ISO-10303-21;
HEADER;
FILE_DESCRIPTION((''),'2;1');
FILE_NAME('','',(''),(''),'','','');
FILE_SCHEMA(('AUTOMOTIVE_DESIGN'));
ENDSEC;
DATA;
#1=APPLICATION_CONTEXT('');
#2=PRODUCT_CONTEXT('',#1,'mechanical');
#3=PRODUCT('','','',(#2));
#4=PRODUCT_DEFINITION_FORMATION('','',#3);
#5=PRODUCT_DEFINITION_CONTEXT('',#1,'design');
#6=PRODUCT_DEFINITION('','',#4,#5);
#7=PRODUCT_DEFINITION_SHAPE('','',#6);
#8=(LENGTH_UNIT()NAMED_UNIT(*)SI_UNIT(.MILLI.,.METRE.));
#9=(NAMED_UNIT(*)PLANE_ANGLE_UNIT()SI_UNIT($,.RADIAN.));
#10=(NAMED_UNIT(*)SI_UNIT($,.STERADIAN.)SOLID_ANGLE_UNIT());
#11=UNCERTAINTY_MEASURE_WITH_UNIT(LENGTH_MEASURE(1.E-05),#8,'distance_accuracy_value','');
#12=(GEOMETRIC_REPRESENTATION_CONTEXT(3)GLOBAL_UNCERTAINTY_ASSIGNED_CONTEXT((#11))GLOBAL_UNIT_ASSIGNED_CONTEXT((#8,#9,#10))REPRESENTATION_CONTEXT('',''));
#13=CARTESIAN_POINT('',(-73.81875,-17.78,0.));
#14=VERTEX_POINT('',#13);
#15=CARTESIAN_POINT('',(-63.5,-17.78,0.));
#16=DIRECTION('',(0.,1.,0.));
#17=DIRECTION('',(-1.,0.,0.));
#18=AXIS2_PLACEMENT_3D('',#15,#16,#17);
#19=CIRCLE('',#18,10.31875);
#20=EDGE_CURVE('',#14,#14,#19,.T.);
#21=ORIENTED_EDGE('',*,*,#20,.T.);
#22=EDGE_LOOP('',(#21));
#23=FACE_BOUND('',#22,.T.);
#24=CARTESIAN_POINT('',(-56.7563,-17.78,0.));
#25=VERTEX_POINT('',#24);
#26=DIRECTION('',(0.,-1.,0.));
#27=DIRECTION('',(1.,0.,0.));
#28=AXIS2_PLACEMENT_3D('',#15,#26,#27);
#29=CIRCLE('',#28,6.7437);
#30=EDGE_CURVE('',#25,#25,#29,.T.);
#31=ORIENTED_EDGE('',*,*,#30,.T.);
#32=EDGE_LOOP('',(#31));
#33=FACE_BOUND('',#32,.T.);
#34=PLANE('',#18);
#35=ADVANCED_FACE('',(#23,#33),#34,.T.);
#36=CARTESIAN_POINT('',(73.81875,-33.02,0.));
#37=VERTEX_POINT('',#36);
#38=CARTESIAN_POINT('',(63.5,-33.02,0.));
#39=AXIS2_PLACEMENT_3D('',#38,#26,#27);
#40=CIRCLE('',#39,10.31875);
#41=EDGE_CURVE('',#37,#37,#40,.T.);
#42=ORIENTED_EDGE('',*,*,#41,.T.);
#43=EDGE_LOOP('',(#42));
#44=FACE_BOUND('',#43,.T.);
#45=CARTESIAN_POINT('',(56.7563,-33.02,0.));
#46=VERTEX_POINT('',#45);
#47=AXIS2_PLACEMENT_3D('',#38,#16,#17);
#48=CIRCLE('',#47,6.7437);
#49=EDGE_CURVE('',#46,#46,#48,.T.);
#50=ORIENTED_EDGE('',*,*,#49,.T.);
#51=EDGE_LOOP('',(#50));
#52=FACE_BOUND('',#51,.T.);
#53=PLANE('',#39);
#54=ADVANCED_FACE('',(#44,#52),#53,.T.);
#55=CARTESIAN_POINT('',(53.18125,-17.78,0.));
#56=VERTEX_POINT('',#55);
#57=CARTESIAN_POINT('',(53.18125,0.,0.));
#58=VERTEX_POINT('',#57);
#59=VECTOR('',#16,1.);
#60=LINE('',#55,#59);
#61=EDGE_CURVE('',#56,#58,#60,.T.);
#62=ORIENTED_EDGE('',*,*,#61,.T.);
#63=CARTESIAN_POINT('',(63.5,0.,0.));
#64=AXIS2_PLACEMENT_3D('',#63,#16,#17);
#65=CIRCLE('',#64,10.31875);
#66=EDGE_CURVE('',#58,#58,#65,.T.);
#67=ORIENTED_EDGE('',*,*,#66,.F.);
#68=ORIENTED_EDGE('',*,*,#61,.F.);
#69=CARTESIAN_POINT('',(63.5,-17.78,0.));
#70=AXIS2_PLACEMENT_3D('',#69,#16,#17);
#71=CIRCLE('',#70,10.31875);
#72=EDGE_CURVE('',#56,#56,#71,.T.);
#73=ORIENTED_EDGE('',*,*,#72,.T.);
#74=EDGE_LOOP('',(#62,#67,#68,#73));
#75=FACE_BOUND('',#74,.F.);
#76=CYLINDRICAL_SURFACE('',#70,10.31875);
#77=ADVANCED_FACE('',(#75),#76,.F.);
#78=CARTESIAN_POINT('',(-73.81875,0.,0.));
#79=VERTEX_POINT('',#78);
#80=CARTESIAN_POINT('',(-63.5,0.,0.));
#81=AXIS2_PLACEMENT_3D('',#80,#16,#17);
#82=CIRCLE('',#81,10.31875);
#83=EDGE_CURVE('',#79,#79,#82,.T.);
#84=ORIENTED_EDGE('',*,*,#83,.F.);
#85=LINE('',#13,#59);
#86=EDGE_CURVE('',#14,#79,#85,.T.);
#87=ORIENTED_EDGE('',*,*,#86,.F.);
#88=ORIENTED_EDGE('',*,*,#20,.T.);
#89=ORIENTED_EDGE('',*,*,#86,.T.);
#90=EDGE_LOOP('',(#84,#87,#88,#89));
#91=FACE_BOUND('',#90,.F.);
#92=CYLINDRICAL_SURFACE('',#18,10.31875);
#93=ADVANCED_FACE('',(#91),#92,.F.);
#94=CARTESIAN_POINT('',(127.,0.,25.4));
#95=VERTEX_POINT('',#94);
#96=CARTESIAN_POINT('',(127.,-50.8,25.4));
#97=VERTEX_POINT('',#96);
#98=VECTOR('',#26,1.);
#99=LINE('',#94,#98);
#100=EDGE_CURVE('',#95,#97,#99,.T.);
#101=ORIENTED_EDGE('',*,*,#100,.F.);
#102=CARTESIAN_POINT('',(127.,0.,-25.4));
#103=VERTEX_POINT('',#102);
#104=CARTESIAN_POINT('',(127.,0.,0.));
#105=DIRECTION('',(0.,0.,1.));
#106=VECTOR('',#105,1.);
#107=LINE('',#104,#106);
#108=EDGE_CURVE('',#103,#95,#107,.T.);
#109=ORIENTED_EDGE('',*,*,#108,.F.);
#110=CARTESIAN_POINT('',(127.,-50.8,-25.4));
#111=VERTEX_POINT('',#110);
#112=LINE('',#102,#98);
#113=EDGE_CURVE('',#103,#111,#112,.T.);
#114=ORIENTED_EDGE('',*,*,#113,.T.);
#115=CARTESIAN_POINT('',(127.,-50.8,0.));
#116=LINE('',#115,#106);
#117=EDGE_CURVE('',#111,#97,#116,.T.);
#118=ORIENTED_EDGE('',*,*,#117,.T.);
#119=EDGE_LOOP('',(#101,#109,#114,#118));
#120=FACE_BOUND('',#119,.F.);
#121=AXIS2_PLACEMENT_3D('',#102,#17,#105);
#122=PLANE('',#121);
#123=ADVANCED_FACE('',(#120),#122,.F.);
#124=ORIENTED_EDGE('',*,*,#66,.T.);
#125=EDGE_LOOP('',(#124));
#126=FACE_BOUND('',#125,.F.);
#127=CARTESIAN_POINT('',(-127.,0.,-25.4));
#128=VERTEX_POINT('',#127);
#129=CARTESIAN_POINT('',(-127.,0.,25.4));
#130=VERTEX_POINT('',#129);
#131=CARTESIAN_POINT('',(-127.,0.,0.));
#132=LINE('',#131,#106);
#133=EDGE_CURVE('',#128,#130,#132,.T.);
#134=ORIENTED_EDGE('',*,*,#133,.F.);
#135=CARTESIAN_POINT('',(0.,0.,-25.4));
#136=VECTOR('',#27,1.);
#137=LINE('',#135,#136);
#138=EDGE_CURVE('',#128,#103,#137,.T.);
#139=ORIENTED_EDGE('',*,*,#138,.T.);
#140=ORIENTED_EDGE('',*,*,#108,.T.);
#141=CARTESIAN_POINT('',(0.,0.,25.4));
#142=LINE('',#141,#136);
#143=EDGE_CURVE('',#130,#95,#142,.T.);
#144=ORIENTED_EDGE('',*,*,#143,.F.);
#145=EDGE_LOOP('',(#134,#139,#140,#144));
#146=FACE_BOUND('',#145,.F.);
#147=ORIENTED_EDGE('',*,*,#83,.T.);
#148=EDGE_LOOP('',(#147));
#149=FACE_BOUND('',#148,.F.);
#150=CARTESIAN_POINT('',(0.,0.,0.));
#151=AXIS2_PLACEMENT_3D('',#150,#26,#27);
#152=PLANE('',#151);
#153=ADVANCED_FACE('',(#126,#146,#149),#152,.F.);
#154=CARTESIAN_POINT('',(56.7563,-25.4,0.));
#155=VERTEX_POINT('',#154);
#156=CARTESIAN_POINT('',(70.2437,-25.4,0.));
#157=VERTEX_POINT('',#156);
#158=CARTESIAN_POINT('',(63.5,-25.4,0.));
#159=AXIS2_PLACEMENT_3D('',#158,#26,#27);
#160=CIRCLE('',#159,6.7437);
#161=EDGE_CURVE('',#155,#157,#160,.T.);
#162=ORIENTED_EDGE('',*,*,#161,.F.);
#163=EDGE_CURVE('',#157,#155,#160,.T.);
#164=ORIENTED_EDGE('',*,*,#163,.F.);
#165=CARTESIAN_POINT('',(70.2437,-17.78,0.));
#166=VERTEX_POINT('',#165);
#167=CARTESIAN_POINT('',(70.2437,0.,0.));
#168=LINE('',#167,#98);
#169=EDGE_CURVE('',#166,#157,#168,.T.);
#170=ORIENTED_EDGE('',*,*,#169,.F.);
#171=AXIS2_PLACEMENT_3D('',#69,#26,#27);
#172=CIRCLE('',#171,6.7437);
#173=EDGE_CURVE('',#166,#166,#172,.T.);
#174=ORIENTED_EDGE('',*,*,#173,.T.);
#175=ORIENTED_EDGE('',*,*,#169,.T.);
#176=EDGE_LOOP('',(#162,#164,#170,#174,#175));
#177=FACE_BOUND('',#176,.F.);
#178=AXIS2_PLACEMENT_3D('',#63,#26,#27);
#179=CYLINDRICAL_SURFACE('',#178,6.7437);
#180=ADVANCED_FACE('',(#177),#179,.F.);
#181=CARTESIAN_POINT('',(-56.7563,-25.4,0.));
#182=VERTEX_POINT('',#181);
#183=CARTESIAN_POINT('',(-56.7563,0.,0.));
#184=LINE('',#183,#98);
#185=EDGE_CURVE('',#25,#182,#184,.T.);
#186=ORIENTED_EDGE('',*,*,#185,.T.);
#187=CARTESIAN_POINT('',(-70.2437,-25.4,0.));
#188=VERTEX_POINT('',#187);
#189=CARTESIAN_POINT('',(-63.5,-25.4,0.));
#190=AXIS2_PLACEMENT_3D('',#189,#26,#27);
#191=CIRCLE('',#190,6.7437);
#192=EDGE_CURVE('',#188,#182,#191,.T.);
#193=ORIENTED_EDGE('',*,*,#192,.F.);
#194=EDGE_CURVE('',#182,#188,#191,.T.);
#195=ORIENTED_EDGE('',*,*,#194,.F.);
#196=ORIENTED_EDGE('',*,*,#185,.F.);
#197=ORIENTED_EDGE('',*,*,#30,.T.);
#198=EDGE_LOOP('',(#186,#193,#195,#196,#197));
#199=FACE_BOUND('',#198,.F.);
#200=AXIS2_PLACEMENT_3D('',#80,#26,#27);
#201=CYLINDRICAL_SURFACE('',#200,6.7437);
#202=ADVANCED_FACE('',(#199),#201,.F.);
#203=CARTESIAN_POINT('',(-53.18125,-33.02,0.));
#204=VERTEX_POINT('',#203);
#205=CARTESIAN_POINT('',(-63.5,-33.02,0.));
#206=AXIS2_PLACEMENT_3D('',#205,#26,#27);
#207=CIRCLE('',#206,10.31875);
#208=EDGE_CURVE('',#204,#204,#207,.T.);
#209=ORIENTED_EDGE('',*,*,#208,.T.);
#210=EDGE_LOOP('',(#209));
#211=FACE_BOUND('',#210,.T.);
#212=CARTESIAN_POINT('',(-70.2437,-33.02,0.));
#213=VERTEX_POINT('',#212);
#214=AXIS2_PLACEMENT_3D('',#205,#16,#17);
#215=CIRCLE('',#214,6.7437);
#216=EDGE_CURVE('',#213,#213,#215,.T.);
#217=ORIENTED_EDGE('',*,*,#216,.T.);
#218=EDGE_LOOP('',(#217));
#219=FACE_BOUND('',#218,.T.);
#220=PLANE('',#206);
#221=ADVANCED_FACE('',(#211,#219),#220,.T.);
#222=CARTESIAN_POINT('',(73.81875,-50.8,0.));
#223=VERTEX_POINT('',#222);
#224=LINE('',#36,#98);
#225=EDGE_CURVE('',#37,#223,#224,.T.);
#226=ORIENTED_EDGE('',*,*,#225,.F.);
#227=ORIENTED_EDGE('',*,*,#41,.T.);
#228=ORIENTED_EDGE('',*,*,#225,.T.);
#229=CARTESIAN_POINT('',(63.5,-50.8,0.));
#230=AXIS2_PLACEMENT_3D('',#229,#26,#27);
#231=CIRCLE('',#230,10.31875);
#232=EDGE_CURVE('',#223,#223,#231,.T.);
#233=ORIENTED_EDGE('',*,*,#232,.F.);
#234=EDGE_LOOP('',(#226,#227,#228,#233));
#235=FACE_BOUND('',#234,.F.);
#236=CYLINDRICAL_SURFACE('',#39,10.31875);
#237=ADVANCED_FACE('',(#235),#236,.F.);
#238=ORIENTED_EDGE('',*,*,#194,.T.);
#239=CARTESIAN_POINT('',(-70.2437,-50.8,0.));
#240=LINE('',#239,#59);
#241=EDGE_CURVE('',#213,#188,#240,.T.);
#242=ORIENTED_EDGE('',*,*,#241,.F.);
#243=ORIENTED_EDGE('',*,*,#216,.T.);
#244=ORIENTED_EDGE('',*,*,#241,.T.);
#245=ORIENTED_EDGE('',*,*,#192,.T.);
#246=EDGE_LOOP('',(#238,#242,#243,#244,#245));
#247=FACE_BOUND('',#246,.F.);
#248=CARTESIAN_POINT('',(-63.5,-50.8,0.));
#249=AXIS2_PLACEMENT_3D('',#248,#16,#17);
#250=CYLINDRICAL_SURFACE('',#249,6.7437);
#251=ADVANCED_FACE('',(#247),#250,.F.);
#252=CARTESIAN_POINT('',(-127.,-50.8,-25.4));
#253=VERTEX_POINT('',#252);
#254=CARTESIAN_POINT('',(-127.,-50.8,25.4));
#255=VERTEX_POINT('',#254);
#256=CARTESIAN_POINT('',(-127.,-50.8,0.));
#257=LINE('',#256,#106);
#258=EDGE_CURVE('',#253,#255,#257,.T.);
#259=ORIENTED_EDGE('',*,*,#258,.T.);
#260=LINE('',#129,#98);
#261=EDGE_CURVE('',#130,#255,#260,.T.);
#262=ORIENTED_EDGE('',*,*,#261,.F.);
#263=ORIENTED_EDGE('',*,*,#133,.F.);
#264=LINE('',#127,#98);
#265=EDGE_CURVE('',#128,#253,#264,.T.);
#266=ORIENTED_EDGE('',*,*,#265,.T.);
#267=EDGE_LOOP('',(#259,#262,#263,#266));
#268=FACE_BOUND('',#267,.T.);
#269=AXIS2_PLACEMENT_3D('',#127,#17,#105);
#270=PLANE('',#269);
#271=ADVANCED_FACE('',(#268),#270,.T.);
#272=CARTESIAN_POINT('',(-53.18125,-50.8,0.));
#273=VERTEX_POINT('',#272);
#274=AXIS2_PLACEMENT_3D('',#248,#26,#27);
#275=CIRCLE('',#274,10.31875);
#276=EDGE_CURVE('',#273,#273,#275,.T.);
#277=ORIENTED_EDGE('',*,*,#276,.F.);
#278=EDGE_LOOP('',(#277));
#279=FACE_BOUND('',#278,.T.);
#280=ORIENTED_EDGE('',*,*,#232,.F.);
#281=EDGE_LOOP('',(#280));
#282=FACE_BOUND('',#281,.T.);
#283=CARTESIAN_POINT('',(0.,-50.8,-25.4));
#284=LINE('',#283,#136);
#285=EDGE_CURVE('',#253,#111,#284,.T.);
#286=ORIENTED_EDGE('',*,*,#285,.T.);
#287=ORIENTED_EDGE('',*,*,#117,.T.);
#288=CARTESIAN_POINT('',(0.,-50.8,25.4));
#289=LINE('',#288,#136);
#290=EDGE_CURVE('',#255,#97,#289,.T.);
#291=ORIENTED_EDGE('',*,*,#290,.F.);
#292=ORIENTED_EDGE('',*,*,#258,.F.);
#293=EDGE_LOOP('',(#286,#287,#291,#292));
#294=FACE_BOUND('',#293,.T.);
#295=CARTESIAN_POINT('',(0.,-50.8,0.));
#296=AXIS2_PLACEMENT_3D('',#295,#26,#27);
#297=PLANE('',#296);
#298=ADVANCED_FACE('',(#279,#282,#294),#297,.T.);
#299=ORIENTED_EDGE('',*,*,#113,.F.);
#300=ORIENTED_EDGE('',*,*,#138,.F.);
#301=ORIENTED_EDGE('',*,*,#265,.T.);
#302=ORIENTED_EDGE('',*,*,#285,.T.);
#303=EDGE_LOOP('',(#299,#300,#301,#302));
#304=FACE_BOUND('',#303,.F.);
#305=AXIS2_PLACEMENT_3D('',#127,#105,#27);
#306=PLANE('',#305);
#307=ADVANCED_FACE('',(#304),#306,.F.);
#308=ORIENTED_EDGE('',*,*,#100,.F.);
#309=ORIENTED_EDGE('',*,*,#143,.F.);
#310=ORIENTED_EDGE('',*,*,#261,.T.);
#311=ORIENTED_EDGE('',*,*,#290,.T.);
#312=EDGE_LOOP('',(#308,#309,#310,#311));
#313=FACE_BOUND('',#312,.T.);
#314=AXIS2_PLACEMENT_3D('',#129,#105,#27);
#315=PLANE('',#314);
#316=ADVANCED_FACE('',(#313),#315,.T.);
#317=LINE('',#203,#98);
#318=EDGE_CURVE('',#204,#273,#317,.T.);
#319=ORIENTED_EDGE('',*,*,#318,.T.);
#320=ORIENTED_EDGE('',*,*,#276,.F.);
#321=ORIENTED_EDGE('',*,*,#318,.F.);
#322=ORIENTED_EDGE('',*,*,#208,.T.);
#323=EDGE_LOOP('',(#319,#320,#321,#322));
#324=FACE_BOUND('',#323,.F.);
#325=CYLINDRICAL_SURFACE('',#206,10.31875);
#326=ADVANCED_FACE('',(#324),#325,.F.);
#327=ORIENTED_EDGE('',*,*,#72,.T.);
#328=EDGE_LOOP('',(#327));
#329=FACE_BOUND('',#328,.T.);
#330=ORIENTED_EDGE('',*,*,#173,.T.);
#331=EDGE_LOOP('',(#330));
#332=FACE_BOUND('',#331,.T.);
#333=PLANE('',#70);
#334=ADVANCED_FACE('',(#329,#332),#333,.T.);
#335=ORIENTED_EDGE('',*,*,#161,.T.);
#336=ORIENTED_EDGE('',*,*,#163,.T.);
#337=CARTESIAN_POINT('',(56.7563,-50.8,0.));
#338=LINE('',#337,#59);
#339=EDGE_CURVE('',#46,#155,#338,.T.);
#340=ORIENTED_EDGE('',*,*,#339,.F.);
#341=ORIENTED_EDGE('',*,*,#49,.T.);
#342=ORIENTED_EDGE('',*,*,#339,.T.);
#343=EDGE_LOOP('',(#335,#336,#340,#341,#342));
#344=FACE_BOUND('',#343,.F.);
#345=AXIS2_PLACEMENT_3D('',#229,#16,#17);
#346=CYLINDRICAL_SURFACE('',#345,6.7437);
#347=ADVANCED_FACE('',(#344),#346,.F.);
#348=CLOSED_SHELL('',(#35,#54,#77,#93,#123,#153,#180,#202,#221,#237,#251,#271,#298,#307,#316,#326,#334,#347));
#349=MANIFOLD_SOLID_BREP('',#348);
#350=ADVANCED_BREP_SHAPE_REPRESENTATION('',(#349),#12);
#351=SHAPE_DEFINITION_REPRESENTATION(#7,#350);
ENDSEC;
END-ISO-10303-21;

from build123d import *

# Parameters (mm, degrees)
F0_W           = 254
F0_H           = 50.8
F1_DEPTH       = 50.8
F3_D           = 13.4874
F3_DEPTH       = 25.4
F3_CBORE_D     = 20.6375
F3_CBORE_DEPTH = 17.78
F5_D           = 13.4874
F5_DEPTH       = 25.4
F5_CBORE_D     = 20.6375
F5_CBORE_DEPTH = 17.78


with BuildPart() as f1:
    # F0 (on Front) → F1 (new body)
    with BuildSketch(Plane.XZ):
        Rectangle(F0_W, F0_H)
    extrude(amount=F1_DEPTH)

    # F3
    with Locations(Plane(origin=(0, 0, 0), x_dir=(-1, 0, 0), z_dir=(0, 1, 0))):
        with Locations((-63.5, 0), (63.5, 0)):
            CounterBoreHole(F3_D / 2, F3_CBORE_D / 2, F3_CBORE_DEPTH, depth=F3_DEPTH)

    # F5
    with Locations(Plane.XZ.offset(50.8)):
        with Locations((-63.5, 0), (63.5, 0)):
            CounterBoreHole(F5_D / 2, F5_CBORE_D / 2, F5_CBORE_DEPTH, depth=F5_DEPTH)


solid = f1.part
